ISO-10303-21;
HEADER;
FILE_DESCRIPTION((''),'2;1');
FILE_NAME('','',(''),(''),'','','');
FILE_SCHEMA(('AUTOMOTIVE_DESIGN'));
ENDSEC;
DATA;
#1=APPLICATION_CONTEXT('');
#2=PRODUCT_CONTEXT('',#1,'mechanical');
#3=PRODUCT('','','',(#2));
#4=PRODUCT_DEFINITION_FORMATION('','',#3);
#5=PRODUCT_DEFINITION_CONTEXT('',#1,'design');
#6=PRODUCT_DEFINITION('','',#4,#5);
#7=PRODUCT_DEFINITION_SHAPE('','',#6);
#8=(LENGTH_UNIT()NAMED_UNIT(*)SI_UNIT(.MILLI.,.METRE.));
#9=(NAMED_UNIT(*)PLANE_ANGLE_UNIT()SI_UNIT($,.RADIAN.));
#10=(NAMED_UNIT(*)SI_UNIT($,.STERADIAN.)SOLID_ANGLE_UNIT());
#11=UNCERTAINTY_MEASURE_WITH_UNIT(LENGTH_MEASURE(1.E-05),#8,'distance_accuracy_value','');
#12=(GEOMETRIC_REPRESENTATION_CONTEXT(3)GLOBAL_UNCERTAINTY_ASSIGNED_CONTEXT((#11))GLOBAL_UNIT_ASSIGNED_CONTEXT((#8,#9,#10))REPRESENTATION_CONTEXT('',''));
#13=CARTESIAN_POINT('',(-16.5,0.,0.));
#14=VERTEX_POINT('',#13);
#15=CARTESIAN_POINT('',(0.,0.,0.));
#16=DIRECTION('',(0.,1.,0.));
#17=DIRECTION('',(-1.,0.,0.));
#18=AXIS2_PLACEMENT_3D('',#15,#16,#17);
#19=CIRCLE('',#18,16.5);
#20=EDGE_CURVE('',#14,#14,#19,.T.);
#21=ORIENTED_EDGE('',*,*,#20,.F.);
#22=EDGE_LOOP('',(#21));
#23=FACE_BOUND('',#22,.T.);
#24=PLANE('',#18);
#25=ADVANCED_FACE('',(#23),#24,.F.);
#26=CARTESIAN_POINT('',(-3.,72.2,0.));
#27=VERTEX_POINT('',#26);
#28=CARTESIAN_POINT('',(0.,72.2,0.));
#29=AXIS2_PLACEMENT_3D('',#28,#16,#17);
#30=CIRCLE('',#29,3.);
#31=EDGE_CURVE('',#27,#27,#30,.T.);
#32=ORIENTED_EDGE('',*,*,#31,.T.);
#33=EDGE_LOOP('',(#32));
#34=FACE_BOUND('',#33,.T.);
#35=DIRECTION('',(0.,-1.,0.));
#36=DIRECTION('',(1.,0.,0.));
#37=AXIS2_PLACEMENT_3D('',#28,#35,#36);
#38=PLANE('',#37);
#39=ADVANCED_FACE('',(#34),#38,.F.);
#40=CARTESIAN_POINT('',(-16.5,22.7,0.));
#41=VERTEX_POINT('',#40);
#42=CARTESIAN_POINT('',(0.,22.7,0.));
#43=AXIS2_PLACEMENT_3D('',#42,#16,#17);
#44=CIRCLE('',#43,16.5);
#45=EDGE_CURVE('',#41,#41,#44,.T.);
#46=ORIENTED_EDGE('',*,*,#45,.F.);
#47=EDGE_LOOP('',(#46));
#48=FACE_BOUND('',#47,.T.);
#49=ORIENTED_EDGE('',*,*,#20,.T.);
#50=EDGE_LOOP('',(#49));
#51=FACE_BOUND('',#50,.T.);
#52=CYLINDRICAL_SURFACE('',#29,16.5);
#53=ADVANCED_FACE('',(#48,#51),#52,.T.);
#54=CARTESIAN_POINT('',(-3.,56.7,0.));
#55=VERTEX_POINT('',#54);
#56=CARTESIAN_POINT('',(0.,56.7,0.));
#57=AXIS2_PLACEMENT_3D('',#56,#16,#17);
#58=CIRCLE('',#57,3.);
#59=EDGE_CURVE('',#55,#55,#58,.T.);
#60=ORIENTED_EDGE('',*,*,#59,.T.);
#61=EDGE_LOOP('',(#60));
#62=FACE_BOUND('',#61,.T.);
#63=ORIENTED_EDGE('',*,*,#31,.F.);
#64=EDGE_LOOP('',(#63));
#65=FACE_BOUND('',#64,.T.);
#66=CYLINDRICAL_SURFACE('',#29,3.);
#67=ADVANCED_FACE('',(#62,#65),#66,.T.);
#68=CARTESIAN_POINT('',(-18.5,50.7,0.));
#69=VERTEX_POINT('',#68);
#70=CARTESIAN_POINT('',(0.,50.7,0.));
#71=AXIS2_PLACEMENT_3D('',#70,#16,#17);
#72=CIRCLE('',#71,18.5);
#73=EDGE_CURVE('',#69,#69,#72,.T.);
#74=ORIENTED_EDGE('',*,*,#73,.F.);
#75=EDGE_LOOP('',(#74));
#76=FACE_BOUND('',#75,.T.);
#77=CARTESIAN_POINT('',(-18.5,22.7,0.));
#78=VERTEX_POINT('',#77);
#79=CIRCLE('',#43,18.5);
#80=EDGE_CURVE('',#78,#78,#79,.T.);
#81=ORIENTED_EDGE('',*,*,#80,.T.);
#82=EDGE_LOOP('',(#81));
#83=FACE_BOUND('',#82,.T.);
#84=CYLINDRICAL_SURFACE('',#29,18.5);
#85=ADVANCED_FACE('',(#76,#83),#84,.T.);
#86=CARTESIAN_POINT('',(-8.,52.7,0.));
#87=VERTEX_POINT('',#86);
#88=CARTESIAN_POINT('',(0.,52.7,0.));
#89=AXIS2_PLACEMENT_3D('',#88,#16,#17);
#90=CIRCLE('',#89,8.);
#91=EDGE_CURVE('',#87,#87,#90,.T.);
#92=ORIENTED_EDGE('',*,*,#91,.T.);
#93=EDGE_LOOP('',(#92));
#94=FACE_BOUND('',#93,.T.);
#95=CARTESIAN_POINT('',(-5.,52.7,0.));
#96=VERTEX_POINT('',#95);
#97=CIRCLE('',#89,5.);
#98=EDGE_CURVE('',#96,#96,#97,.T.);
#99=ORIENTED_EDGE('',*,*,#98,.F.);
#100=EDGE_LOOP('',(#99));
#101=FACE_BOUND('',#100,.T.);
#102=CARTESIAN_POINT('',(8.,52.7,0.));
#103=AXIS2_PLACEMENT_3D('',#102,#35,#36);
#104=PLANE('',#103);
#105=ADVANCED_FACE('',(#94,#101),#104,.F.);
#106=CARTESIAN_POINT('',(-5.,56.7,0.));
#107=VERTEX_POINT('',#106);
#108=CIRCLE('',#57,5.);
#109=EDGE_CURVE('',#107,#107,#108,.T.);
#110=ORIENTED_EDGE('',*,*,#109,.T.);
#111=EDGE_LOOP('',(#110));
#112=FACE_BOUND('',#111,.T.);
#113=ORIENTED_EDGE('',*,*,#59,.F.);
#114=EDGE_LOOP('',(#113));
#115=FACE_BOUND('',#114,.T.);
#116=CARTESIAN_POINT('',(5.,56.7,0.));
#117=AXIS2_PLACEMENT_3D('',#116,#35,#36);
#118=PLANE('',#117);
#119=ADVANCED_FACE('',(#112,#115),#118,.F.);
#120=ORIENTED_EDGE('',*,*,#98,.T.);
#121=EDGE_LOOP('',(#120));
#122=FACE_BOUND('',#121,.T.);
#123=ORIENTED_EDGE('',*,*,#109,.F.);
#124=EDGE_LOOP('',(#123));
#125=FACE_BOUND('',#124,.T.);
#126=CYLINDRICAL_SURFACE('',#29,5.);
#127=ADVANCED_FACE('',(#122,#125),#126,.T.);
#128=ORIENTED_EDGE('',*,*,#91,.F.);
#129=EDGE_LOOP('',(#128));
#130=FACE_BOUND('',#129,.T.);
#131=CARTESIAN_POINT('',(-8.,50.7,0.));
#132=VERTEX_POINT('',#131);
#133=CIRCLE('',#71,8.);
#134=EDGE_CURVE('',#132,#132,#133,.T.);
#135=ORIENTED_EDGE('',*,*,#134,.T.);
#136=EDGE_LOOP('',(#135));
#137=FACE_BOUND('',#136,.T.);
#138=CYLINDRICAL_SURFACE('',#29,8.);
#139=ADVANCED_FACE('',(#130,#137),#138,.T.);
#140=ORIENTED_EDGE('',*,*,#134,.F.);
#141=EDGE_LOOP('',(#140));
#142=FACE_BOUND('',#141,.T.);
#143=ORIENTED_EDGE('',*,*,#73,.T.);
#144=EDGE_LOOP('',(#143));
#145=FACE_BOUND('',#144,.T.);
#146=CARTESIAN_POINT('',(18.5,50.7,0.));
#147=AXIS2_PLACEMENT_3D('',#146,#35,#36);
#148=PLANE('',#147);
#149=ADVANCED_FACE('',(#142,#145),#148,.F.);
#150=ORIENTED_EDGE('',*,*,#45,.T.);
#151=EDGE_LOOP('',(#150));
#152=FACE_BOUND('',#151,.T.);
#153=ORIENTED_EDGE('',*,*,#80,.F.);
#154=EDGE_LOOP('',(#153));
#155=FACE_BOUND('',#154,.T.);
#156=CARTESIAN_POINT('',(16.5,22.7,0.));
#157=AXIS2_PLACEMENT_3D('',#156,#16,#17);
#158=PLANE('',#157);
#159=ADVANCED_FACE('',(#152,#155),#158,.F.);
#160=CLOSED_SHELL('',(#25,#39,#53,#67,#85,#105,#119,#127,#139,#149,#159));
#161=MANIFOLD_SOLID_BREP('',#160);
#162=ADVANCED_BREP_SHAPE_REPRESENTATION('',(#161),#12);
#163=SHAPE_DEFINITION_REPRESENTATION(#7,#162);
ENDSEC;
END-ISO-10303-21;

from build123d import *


with BuildPart() as part:
    # Sketch1 → Revolve1 (revolve)
    with BuildSketch(Plane.XY):
        Polygon((0, 0), (16.5, 0), (16.5, 22.7), (18.5, 22.7), (18.5, 50.7), (8, 50.7), (8, 52.7), (5, 52.7), (5, 56.7), (3, 56.7), (3, 72.2), (0, 72.2), align=None)
    revolve(axis=Axis((0, 72.2, 0), (0, -1, 0)))


solid = part.part
